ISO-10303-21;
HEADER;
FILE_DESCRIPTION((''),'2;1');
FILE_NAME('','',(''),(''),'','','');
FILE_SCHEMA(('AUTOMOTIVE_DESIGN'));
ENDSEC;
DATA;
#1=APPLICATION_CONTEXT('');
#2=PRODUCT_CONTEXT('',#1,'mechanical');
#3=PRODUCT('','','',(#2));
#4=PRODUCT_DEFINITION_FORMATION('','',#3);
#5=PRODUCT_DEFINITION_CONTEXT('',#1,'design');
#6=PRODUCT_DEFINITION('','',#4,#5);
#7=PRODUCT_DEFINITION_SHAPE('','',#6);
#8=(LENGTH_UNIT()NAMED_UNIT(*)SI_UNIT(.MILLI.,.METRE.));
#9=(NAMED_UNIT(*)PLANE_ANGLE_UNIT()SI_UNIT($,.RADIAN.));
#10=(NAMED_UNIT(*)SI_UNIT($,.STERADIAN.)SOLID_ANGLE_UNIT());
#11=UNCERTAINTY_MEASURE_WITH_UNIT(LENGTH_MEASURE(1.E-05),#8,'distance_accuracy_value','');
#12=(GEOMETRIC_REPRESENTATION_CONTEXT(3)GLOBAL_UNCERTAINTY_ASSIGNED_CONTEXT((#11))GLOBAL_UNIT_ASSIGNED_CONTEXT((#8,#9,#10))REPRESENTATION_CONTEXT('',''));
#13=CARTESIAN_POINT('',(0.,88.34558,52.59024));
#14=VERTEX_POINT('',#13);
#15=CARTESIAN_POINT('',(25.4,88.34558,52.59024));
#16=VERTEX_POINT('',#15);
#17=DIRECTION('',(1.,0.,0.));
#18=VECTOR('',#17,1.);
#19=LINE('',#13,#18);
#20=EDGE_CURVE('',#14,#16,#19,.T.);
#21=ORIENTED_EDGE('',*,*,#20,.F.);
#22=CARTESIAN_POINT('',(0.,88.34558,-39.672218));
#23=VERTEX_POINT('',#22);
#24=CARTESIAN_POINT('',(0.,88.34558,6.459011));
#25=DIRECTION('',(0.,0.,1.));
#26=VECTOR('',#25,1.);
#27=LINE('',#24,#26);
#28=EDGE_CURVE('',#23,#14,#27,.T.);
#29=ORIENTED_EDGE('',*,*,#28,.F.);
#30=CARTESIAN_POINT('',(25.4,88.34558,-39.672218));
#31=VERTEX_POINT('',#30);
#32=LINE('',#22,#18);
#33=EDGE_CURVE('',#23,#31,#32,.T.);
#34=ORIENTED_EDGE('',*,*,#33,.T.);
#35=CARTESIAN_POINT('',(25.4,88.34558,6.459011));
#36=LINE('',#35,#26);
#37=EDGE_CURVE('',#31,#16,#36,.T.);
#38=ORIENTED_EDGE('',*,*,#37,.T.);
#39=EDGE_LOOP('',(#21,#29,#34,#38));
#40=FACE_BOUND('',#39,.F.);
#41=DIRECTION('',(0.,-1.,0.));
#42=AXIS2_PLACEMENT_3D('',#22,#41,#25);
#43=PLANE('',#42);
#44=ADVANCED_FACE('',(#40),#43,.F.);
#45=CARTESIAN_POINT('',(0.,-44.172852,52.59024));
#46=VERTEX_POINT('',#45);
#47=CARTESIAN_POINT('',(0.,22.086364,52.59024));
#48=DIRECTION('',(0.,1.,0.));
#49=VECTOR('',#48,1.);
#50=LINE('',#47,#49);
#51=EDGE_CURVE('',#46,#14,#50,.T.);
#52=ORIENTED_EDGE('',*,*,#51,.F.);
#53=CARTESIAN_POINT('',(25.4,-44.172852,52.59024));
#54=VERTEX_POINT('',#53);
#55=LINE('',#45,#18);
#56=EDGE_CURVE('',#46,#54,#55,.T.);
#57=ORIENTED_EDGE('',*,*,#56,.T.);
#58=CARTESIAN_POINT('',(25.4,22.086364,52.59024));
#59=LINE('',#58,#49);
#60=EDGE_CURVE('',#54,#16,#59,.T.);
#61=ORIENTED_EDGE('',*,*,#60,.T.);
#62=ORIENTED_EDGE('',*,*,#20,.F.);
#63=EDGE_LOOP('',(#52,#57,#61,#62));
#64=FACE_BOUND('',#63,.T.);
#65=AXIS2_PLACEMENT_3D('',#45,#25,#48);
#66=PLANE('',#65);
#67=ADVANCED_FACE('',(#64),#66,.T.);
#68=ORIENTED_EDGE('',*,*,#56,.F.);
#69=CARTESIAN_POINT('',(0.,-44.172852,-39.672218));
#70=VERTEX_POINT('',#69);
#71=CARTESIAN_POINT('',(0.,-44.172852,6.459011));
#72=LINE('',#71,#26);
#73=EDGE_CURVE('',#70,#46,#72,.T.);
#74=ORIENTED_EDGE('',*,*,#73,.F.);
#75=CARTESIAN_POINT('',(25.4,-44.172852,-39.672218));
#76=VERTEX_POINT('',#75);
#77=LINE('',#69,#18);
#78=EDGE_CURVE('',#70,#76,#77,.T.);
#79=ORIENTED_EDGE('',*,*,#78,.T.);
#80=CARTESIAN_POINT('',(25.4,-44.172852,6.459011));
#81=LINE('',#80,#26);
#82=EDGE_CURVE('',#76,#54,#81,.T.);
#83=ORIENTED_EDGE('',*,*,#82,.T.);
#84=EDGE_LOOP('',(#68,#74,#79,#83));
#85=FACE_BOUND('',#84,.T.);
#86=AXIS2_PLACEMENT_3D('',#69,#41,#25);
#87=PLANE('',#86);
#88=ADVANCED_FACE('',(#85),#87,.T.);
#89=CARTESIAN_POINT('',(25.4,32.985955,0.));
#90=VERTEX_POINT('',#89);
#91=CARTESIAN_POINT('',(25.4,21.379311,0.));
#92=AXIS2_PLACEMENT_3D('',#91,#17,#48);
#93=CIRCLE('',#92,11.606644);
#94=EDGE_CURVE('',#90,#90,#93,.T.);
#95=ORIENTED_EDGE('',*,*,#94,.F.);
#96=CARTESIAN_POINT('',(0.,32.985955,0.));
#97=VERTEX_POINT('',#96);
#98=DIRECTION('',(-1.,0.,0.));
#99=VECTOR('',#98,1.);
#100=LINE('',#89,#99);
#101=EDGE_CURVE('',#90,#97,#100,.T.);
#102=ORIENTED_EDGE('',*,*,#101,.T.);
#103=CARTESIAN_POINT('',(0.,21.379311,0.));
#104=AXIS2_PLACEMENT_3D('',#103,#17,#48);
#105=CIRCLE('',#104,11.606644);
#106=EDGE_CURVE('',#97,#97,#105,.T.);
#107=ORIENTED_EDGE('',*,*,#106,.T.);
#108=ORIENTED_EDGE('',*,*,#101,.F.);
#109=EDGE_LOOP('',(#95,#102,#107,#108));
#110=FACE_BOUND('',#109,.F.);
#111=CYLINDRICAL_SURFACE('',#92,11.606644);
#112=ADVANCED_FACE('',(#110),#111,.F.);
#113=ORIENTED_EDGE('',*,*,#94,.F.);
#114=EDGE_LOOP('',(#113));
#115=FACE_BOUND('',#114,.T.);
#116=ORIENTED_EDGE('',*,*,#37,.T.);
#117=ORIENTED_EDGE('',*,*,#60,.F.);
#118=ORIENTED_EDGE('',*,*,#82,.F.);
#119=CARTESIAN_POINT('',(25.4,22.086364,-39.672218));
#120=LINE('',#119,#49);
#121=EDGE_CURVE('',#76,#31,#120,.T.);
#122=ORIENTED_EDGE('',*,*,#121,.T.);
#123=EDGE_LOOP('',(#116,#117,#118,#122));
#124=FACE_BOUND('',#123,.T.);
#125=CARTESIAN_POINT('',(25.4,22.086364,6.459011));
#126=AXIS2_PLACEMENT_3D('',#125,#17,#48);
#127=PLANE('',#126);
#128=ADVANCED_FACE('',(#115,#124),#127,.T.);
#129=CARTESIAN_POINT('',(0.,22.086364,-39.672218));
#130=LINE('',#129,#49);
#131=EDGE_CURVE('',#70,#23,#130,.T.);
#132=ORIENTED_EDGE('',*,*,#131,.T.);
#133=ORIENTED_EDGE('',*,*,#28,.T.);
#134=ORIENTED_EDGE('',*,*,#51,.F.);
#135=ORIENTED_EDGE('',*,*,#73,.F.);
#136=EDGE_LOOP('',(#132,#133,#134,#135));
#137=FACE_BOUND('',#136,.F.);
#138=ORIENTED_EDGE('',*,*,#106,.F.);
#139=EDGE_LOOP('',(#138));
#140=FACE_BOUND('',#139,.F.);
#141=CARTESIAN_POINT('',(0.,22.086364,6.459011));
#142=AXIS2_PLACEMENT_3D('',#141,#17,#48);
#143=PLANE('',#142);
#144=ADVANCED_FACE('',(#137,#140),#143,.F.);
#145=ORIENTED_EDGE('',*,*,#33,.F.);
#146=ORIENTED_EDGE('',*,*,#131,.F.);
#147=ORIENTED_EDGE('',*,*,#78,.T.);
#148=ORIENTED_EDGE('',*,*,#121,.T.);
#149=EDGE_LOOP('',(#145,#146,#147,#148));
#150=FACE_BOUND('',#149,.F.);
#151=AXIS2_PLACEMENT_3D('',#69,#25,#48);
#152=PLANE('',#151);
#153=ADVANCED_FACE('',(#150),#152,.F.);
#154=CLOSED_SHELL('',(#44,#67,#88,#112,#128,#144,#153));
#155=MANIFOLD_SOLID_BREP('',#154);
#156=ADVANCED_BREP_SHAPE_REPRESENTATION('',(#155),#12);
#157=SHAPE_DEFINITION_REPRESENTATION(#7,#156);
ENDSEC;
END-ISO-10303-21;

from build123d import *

# Parameters (mm, degrees)
F0_W     = 132.518433
F0_H     = 92.262458
F1_DEPTH = 25.4
F2_R     = 11.606644
F3_DEPTH = 25.4


with BuildPart() as f1:
    # F0 (on Right) → F1 (new body)
    with BuildSketch(Plane.YZ):
        with Locations((22.086364, 6.459011)):
            Rectangle(F0_W, F0_H)
    extrude(amount=F1_DEPTH)

    # F2 (on face) → F3 (cut)
    with BuildSketch(Plane.YZ.offset(25.4)):
        with Locations((21.379311, 0)):
            Circle(F2_R)
    extrude(amount=-F3_DEPTH, mode=Mode.SUBTRACT)


solid = f1.part
